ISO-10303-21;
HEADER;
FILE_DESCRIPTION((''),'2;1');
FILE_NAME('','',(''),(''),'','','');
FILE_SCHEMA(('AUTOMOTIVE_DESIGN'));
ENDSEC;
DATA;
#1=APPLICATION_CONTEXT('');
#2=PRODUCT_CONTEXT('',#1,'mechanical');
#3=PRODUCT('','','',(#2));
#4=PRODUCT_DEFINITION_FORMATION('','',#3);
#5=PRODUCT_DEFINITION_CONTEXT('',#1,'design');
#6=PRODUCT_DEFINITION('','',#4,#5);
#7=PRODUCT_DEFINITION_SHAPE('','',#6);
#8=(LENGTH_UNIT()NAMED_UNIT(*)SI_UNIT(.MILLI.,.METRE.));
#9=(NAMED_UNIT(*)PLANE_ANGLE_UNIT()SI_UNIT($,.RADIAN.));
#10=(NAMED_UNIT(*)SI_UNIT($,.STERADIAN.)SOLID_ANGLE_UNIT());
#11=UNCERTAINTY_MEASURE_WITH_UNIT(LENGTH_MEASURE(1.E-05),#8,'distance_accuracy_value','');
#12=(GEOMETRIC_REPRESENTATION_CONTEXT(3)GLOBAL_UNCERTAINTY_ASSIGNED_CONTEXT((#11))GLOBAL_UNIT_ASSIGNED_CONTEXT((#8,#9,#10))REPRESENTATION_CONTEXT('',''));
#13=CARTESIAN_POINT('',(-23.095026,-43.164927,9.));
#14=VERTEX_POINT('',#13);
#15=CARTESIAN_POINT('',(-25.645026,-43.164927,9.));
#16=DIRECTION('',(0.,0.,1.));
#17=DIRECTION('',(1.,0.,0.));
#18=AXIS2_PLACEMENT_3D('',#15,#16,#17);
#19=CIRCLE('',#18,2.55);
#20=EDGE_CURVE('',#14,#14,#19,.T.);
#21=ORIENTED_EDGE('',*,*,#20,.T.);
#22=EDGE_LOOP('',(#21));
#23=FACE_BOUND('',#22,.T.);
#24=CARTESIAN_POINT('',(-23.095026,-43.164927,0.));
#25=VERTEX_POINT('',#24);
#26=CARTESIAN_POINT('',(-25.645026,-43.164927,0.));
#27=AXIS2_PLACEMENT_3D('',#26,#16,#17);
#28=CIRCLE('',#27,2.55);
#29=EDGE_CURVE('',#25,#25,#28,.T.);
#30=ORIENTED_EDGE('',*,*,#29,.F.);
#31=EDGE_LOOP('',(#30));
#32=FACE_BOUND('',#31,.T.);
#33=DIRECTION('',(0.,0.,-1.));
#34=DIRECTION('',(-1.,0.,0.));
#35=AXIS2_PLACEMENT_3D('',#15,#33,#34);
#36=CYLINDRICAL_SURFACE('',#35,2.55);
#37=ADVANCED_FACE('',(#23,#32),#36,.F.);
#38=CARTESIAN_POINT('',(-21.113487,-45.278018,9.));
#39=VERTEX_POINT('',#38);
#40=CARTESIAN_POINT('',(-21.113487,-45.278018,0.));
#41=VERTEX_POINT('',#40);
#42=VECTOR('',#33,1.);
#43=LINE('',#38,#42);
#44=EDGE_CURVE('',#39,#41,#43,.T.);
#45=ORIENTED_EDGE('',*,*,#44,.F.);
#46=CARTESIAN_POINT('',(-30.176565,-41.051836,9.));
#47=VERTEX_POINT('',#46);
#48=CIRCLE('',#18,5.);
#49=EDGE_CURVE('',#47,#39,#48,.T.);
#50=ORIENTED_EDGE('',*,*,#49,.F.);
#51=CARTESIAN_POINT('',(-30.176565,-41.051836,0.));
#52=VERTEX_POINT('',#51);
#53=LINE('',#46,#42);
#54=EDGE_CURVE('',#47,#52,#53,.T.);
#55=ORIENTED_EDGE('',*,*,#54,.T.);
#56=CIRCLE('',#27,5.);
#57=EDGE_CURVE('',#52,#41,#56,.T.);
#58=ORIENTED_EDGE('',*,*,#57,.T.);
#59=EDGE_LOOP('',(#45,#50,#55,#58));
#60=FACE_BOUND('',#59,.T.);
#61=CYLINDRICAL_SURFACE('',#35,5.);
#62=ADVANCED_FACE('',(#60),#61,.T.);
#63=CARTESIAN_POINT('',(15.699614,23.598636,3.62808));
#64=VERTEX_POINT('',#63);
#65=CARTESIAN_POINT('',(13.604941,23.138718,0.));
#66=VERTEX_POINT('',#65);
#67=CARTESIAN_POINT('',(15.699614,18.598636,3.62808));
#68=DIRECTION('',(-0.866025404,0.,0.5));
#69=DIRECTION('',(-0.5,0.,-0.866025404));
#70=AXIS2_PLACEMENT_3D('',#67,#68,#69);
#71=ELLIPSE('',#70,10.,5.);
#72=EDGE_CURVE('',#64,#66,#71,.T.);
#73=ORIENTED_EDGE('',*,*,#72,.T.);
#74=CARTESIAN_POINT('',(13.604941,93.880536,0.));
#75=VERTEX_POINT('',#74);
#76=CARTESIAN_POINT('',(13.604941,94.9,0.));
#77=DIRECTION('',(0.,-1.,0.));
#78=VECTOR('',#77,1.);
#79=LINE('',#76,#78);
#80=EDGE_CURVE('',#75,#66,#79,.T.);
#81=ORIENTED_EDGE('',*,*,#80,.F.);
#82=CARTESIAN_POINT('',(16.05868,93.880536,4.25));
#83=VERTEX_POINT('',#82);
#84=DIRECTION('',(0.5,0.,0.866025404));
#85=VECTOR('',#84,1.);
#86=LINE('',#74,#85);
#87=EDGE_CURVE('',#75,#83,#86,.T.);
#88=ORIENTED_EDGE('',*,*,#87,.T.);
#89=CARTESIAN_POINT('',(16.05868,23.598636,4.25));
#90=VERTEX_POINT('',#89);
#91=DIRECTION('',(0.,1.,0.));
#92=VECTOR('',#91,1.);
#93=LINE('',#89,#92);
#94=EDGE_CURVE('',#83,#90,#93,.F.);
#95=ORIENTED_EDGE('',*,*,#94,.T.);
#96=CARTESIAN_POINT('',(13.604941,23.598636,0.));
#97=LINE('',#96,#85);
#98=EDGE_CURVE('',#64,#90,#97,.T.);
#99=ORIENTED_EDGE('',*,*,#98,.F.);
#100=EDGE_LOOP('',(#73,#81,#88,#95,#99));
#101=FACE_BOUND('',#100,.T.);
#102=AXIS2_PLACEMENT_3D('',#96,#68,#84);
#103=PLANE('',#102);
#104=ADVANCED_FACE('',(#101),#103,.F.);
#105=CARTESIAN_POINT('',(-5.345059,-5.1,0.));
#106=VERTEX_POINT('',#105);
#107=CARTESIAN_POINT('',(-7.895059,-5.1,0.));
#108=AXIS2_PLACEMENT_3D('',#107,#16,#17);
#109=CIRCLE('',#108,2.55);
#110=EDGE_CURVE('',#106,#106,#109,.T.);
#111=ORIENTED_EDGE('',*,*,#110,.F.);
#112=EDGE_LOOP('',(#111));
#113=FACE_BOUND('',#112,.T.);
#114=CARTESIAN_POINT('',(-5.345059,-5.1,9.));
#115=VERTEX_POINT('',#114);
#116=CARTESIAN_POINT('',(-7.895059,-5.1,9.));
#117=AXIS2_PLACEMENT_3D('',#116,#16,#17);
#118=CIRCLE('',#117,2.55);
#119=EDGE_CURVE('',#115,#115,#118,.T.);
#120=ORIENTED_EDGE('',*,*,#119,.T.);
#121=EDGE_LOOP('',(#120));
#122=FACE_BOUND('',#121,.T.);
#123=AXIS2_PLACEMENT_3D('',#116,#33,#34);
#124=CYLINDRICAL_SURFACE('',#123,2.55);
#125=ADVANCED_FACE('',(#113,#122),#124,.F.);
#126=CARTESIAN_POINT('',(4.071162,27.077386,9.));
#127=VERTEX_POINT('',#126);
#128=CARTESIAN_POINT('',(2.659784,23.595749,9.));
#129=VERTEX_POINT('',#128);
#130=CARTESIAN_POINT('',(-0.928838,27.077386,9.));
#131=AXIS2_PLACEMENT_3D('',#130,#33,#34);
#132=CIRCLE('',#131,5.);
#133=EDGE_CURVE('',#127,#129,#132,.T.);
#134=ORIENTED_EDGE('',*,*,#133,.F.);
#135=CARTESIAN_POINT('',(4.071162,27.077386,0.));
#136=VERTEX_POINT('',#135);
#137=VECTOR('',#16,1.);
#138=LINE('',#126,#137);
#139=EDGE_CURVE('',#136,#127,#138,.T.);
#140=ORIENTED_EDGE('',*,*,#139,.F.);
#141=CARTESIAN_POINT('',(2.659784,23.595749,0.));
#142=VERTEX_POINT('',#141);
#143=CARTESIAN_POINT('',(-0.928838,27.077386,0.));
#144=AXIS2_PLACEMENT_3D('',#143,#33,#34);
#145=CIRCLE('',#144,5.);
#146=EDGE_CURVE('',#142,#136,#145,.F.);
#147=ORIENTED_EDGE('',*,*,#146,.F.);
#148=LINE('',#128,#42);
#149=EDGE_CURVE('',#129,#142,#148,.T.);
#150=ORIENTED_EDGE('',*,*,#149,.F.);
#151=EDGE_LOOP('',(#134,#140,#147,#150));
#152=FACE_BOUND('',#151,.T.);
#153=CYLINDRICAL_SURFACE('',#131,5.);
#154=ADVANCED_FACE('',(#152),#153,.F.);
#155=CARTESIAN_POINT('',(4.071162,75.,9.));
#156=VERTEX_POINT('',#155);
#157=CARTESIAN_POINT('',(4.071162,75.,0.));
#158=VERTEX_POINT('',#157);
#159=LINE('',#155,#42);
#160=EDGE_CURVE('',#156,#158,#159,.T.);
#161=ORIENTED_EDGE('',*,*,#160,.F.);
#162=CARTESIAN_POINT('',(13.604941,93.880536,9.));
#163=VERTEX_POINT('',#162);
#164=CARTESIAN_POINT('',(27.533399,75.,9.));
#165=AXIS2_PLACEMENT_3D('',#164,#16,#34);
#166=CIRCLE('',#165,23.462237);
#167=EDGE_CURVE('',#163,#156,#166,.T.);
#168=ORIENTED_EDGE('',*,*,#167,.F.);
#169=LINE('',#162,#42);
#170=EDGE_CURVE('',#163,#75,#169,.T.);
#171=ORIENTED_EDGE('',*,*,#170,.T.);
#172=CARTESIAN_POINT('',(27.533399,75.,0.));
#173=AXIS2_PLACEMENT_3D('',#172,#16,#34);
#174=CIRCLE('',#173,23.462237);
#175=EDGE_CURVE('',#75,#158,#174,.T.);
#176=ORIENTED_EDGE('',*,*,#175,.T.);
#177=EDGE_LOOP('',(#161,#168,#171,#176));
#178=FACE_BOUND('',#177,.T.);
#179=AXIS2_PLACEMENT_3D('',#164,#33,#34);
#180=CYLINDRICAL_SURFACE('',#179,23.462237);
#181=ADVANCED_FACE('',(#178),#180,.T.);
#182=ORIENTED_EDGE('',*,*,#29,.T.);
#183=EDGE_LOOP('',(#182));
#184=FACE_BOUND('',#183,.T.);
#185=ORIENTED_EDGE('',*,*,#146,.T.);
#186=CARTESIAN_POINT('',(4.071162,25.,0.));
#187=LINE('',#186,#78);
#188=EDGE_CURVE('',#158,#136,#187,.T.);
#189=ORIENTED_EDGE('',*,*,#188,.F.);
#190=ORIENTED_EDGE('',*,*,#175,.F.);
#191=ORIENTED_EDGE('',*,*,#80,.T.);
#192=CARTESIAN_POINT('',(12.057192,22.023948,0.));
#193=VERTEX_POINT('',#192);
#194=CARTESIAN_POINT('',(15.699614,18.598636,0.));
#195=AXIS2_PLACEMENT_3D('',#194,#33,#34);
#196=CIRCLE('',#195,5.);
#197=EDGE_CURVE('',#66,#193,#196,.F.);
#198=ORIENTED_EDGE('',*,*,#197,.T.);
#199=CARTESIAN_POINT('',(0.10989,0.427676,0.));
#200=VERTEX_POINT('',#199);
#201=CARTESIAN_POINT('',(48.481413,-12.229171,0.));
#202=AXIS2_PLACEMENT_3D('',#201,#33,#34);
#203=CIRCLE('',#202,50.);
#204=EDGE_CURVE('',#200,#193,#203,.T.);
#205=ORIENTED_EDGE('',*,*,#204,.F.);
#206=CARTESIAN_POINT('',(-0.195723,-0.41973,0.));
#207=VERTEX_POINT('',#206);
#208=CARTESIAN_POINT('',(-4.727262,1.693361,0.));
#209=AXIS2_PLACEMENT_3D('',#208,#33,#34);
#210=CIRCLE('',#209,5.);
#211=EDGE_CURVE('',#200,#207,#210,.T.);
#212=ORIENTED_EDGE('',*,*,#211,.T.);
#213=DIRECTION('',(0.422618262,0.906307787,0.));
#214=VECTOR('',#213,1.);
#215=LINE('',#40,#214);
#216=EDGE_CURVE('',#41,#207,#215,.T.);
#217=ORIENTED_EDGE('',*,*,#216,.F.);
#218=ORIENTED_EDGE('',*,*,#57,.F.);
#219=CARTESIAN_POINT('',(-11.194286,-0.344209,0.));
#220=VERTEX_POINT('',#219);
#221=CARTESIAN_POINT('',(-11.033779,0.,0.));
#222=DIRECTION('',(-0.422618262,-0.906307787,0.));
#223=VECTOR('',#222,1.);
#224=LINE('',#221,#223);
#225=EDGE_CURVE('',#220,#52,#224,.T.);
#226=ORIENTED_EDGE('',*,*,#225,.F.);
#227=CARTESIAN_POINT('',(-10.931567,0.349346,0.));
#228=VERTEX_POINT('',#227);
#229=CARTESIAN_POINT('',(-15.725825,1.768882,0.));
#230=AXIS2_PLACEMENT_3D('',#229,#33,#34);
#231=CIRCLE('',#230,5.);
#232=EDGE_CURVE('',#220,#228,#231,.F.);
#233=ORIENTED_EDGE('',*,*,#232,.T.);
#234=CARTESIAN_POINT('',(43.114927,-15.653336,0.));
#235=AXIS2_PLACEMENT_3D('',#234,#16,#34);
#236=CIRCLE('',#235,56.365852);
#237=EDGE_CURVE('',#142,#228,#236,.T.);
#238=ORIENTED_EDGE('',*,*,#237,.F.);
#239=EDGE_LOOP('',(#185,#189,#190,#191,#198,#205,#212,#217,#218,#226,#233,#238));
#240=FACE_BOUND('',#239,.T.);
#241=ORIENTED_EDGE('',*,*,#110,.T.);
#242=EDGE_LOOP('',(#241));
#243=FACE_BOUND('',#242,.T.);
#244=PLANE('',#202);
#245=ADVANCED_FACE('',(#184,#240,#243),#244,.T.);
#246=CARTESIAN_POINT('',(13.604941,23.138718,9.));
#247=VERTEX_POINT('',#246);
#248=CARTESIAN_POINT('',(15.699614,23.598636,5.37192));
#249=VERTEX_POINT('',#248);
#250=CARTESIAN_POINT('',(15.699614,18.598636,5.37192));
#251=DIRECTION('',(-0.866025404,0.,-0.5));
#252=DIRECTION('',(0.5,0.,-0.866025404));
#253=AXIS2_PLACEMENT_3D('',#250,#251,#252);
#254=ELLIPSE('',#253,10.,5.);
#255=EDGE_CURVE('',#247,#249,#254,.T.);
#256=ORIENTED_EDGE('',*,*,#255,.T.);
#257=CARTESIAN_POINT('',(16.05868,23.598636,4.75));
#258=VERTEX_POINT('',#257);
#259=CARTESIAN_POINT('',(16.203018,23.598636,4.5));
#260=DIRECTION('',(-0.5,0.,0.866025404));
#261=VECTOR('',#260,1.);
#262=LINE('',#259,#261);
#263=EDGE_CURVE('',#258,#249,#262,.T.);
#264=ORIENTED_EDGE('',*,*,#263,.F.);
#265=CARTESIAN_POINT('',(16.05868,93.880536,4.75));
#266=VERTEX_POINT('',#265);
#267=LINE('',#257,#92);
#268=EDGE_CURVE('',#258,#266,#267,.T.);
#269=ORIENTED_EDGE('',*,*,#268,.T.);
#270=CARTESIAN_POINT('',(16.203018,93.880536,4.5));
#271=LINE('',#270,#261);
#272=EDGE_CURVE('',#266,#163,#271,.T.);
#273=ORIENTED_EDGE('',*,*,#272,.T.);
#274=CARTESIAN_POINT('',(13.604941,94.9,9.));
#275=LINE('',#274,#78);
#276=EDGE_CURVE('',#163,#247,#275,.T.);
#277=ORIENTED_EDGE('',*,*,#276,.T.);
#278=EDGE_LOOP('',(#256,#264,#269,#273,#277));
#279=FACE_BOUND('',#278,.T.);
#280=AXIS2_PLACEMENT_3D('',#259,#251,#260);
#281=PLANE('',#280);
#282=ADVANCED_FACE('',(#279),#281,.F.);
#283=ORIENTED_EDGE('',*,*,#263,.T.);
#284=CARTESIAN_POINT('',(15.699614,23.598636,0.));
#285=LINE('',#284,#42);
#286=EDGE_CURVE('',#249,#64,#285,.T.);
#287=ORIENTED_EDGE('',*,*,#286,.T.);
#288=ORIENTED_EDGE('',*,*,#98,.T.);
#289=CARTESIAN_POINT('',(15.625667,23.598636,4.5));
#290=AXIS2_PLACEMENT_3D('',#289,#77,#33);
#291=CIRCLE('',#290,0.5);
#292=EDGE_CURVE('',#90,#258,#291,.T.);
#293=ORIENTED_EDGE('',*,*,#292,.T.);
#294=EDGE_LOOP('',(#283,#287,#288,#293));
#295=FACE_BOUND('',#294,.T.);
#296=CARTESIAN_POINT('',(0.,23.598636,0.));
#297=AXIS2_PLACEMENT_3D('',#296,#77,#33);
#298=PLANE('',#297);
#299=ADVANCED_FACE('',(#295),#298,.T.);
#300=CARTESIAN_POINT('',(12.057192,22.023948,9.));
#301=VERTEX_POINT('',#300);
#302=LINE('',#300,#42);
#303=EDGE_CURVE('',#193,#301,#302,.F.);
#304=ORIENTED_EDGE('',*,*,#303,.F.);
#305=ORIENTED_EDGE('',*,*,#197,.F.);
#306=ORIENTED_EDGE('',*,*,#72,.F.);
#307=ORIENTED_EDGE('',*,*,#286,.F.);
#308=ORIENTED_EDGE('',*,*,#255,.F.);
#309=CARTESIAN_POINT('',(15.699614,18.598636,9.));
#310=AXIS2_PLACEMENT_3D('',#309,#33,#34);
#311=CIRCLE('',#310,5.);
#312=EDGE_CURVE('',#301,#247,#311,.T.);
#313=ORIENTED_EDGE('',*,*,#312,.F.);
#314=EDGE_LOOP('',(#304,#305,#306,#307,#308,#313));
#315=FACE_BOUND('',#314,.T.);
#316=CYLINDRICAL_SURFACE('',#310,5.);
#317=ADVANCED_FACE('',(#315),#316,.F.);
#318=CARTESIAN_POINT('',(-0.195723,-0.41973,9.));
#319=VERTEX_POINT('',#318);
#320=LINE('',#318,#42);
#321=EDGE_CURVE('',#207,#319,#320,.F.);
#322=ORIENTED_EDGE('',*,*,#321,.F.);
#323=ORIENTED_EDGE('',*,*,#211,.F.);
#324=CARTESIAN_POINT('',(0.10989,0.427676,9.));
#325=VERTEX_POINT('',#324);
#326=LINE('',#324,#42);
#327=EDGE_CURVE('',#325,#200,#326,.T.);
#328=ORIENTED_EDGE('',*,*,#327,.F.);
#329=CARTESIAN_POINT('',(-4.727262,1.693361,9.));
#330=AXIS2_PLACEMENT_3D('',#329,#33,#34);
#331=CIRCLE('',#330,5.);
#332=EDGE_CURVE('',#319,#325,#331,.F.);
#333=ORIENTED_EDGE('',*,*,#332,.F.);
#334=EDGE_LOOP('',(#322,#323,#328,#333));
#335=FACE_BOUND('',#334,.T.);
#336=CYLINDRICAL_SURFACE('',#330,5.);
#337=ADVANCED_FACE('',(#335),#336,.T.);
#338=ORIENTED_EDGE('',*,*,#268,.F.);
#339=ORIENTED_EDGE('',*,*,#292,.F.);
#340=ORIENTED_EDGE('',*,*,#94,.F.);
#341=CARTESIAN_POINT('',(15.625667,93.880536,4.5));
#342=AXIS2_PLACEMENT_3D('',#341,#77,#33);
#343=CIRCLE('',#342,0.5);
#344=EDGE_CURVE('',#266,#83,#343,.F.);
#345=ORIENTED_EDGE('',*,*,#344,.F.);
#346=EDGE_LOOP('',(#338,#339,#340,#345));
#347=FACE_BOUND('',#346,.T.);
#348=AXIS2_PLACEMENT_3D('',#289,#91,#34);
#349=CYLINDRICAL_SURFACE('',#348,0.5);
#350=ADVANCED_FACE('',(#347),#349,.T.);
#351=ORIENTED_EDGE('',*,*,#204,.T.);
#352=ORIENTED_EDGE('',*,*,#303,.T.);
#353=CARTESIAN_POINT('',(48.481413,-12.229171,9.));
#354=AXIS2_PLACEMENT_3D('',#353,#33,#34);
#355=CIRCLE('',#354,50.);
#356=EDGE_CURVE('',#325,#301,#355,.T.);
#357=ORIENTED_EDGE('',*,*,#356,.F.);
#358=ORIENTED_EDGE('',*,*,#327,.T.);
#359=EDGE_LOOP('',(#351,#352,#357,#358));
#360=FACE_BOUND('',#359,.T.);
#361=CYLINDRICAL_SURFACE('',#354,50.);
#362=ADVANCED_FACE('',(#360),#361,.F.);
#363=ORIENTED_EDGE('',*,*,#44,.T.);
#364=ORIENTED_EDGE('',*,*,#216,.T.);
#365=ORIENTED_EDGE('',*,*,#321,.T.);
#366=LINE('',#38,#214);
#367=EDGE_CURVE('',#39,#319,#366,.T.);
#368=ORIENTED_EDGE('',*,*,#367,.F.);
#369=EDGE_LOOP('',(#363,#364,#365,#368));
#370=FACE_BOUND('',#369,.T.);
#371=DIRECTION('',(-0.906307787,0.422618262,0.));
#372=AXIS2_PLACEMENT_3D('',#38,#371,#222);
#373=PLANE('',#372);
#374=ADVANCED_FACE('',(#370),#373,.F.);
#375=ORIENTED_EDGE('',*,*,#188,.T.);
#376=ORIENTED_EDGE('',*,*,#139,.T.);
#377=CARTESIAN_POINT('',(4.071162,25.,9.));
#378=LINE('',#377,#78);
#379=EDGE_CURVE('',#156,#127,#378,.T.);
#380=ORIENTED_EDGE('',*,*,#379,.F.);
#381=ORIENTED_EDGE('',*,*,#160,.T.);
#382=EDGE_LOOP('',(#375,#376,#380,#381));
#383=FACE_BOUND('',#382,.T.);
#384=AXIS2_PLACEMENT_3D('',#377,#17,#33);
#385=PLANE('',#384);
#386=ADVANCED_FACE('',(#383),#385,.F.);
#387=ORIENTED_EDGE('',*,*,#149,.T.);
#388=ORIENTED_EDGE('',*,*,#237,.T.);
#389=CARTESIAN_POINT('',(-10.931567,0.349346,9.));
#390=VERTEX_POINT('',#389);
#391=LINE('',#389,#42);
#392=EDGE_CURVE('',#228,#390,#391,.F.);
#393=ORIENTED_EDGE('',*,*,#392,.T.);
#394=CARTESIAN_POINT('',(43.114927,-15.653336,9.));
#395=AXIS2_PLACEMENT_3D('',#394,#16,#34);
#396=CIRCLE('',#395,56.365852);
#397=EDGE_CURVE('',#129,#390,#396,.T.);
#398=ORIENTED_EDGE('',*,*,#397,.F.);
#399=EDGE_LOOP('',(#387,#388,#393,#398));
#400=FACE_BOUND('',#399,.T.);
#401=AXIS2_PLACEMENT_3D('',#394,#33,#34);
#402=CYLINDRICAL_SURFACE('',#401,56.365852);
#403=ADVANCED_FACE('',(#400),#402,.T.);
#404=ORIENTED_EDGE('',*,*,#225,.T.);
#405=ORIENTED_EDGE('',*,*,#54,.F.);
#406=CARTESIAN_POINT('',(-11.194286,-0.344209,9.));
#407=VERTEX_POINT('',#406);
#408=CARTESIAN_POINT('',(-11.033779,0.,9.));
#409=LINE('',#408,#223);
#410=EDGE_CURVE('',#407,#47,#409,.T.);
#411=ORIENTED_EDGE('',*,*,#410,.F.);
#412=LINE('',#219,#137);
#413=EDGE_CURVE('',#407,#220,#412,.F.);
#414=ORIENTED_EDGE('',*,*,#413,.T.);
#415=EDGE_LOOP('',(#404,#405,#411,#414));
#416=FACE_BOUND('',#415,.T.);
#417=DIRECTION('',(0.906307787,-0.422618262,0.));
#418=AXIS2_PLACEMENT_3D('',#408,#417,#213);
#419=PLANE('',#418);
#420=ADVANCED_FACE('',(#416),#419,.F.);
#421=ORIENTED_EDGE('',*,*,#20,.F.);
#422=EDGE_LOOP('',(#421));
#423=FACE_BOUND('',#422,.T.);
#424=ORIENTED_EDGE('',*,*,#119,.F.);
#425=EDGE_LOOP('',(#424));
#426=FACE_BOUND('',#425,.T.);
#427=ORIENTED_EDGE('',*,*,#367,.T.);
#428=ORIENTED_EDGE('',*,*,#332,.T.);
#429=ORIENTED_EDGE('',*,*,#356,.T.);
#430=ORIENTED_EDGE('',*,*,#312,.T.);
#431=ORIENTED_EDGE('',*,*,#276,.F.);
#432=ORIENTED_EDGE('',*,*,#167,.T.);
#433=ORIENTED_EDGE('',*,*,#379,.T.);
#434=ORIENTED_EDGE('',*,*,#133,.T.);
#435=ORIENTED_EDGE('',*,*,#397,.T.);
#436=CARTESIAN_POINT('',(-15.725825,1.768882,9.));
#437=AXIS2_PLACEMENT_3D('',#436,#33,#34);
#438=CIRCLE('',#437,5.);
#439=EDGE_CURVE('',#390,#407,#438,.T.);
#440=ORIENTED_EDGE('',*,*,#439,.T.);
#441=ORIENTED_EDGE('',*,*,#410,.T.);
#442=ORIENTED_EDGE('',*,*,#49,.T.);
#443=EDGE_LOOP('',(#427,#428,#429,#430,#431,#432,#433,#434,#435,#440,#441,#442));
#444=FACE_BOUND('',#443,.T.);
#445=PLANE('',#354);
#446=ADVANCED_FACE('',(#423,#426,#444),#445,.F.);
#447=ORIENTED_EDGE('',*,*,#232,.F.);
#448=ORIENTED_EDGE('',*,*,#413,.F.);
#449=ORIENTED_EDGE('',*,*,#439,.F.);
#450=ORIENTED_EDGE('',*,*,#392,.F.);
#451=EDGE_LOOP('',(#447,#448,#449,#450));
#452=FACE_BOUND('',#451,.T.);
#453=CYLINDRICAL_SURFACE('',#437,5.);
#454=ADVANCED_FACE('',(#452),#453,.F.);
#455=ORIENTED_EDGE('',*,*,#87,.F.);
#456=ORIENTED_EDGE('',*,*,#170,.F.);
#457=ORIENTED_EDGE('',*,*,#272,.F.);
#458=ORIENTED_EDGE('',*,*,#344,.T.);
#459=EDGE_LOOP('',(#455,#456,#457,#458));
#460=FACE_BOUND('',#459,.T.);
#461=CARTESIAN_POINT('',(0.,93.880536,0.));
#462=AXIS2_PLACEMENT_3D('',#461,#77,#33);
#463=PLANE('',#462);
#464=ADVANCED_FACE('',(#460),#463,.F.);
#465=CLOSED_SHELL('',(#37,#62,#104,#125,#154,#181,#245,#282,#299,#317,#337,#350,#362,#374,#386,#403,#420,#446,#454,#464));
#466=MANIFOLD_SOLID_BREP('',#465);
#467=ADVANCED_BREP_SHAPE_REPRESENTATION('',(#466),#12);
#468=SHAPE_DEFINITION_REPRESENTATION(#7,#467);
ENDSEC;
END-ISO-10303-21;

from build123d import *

# Parameters (mm, degrees)
SKETCH1_R           = 2.55
BOSS_EXTRUDE1_DEPTH = 9
SKETCH2_W           = 1.5
SKETCH2_H           = 71.301363943
CUT_EXTRUDE1_DEPTH  = 10
BOSS_EXTRUDE2_DEPTH = 70.2819
FILLET1_R           = 0.5
FILLET2_R           = 5


with BuildPart() as part:
    # Sketch1 → Boss-Extrude1 (new body)
    with BuildSketch(Plane.XY):
        with BuildLine():
            Line((-11.03377919, 0), (-30.17656458, -41.051835747))
            ThreePointArc((-30.17656458, -41.051835747), (-27.758116953, -47.696465991), (-21.113486709, -45.278018364))
            Line((-21.113486709, -45.278018364), (0, 0))
            ThreePointArc((0, 0), (5.686222606, 13.627582704), (15.104941349, 25))
            Line((15.104941349, 25), (15.104941349, 94.9))
            ThreePointArc((15.104941349, 94.9), (7.014188798, 86.377107313), (4.071162159, 75))
            Line((4.071162159, 75), (4.071162159, 25))
            ThreePointArc((4.071162159, 25), (-5.128820408, 13.495422821), (-11.03377919, 0))
        make_face()
        with Locations((-25.645025645, -43.164927056)):
            Circle(SKETCH1_R, mode=Mode.SUBTRACT)
        with Locations((-7.895058651, -5.1)):
            Circle(SKETCH1_R, mode=Mode.SUBTRACT)
    extrude(amount=BOSS_EXTRUDE1_DEPTH)

    # Sketch2 → Cut-Extrude1 (cut, through all)
    with BuildSketch(Plane.XY.offset(9)):
        with Locations((14.354941349, 59.249318028)):
            Rectangle(SKETCH2_W, SKETCH2_H)
    extrude(amount=-CUT_EXTRUDE1_DEPTH, mode=Mode.SUBTRACT)

    # Sketch4 → Boss-Extrude2 (add)
    with BuildSketch(Plane(origin=(0, 93.880535659, 0), x_dir=(0, 0, -1), z_dir=(0, -1, 0))):
        Polygon((0, 13.604941349), (-4.5, 16.20301756), (-9, 13.604941349), align=None)
    extrude(amount=BOSS_EXTRUDE2_DEPTH)

    # Fillet1
    fillet1_edges = [part.edges().sort_by_distance(p)[0] for p in [
        (16.20301756, 58.739585659, 4.5),
    ]]
    fillet(fillet1_edges, radius=FILLET1_R)

    # Fillet2
    fillet2_edges = [part.edges().sort_by_distance(p)[0] for p in [
        (0, 0, 4.5),
        (-11.03377919, 0, 4.5),
        (4.071162159, 25, 4.5),
        (13.604941349, 23.598636057, 4.5),
    ]]
    fillet(fillet2_edges, radius=FILLET2_R)


solid = part.part
